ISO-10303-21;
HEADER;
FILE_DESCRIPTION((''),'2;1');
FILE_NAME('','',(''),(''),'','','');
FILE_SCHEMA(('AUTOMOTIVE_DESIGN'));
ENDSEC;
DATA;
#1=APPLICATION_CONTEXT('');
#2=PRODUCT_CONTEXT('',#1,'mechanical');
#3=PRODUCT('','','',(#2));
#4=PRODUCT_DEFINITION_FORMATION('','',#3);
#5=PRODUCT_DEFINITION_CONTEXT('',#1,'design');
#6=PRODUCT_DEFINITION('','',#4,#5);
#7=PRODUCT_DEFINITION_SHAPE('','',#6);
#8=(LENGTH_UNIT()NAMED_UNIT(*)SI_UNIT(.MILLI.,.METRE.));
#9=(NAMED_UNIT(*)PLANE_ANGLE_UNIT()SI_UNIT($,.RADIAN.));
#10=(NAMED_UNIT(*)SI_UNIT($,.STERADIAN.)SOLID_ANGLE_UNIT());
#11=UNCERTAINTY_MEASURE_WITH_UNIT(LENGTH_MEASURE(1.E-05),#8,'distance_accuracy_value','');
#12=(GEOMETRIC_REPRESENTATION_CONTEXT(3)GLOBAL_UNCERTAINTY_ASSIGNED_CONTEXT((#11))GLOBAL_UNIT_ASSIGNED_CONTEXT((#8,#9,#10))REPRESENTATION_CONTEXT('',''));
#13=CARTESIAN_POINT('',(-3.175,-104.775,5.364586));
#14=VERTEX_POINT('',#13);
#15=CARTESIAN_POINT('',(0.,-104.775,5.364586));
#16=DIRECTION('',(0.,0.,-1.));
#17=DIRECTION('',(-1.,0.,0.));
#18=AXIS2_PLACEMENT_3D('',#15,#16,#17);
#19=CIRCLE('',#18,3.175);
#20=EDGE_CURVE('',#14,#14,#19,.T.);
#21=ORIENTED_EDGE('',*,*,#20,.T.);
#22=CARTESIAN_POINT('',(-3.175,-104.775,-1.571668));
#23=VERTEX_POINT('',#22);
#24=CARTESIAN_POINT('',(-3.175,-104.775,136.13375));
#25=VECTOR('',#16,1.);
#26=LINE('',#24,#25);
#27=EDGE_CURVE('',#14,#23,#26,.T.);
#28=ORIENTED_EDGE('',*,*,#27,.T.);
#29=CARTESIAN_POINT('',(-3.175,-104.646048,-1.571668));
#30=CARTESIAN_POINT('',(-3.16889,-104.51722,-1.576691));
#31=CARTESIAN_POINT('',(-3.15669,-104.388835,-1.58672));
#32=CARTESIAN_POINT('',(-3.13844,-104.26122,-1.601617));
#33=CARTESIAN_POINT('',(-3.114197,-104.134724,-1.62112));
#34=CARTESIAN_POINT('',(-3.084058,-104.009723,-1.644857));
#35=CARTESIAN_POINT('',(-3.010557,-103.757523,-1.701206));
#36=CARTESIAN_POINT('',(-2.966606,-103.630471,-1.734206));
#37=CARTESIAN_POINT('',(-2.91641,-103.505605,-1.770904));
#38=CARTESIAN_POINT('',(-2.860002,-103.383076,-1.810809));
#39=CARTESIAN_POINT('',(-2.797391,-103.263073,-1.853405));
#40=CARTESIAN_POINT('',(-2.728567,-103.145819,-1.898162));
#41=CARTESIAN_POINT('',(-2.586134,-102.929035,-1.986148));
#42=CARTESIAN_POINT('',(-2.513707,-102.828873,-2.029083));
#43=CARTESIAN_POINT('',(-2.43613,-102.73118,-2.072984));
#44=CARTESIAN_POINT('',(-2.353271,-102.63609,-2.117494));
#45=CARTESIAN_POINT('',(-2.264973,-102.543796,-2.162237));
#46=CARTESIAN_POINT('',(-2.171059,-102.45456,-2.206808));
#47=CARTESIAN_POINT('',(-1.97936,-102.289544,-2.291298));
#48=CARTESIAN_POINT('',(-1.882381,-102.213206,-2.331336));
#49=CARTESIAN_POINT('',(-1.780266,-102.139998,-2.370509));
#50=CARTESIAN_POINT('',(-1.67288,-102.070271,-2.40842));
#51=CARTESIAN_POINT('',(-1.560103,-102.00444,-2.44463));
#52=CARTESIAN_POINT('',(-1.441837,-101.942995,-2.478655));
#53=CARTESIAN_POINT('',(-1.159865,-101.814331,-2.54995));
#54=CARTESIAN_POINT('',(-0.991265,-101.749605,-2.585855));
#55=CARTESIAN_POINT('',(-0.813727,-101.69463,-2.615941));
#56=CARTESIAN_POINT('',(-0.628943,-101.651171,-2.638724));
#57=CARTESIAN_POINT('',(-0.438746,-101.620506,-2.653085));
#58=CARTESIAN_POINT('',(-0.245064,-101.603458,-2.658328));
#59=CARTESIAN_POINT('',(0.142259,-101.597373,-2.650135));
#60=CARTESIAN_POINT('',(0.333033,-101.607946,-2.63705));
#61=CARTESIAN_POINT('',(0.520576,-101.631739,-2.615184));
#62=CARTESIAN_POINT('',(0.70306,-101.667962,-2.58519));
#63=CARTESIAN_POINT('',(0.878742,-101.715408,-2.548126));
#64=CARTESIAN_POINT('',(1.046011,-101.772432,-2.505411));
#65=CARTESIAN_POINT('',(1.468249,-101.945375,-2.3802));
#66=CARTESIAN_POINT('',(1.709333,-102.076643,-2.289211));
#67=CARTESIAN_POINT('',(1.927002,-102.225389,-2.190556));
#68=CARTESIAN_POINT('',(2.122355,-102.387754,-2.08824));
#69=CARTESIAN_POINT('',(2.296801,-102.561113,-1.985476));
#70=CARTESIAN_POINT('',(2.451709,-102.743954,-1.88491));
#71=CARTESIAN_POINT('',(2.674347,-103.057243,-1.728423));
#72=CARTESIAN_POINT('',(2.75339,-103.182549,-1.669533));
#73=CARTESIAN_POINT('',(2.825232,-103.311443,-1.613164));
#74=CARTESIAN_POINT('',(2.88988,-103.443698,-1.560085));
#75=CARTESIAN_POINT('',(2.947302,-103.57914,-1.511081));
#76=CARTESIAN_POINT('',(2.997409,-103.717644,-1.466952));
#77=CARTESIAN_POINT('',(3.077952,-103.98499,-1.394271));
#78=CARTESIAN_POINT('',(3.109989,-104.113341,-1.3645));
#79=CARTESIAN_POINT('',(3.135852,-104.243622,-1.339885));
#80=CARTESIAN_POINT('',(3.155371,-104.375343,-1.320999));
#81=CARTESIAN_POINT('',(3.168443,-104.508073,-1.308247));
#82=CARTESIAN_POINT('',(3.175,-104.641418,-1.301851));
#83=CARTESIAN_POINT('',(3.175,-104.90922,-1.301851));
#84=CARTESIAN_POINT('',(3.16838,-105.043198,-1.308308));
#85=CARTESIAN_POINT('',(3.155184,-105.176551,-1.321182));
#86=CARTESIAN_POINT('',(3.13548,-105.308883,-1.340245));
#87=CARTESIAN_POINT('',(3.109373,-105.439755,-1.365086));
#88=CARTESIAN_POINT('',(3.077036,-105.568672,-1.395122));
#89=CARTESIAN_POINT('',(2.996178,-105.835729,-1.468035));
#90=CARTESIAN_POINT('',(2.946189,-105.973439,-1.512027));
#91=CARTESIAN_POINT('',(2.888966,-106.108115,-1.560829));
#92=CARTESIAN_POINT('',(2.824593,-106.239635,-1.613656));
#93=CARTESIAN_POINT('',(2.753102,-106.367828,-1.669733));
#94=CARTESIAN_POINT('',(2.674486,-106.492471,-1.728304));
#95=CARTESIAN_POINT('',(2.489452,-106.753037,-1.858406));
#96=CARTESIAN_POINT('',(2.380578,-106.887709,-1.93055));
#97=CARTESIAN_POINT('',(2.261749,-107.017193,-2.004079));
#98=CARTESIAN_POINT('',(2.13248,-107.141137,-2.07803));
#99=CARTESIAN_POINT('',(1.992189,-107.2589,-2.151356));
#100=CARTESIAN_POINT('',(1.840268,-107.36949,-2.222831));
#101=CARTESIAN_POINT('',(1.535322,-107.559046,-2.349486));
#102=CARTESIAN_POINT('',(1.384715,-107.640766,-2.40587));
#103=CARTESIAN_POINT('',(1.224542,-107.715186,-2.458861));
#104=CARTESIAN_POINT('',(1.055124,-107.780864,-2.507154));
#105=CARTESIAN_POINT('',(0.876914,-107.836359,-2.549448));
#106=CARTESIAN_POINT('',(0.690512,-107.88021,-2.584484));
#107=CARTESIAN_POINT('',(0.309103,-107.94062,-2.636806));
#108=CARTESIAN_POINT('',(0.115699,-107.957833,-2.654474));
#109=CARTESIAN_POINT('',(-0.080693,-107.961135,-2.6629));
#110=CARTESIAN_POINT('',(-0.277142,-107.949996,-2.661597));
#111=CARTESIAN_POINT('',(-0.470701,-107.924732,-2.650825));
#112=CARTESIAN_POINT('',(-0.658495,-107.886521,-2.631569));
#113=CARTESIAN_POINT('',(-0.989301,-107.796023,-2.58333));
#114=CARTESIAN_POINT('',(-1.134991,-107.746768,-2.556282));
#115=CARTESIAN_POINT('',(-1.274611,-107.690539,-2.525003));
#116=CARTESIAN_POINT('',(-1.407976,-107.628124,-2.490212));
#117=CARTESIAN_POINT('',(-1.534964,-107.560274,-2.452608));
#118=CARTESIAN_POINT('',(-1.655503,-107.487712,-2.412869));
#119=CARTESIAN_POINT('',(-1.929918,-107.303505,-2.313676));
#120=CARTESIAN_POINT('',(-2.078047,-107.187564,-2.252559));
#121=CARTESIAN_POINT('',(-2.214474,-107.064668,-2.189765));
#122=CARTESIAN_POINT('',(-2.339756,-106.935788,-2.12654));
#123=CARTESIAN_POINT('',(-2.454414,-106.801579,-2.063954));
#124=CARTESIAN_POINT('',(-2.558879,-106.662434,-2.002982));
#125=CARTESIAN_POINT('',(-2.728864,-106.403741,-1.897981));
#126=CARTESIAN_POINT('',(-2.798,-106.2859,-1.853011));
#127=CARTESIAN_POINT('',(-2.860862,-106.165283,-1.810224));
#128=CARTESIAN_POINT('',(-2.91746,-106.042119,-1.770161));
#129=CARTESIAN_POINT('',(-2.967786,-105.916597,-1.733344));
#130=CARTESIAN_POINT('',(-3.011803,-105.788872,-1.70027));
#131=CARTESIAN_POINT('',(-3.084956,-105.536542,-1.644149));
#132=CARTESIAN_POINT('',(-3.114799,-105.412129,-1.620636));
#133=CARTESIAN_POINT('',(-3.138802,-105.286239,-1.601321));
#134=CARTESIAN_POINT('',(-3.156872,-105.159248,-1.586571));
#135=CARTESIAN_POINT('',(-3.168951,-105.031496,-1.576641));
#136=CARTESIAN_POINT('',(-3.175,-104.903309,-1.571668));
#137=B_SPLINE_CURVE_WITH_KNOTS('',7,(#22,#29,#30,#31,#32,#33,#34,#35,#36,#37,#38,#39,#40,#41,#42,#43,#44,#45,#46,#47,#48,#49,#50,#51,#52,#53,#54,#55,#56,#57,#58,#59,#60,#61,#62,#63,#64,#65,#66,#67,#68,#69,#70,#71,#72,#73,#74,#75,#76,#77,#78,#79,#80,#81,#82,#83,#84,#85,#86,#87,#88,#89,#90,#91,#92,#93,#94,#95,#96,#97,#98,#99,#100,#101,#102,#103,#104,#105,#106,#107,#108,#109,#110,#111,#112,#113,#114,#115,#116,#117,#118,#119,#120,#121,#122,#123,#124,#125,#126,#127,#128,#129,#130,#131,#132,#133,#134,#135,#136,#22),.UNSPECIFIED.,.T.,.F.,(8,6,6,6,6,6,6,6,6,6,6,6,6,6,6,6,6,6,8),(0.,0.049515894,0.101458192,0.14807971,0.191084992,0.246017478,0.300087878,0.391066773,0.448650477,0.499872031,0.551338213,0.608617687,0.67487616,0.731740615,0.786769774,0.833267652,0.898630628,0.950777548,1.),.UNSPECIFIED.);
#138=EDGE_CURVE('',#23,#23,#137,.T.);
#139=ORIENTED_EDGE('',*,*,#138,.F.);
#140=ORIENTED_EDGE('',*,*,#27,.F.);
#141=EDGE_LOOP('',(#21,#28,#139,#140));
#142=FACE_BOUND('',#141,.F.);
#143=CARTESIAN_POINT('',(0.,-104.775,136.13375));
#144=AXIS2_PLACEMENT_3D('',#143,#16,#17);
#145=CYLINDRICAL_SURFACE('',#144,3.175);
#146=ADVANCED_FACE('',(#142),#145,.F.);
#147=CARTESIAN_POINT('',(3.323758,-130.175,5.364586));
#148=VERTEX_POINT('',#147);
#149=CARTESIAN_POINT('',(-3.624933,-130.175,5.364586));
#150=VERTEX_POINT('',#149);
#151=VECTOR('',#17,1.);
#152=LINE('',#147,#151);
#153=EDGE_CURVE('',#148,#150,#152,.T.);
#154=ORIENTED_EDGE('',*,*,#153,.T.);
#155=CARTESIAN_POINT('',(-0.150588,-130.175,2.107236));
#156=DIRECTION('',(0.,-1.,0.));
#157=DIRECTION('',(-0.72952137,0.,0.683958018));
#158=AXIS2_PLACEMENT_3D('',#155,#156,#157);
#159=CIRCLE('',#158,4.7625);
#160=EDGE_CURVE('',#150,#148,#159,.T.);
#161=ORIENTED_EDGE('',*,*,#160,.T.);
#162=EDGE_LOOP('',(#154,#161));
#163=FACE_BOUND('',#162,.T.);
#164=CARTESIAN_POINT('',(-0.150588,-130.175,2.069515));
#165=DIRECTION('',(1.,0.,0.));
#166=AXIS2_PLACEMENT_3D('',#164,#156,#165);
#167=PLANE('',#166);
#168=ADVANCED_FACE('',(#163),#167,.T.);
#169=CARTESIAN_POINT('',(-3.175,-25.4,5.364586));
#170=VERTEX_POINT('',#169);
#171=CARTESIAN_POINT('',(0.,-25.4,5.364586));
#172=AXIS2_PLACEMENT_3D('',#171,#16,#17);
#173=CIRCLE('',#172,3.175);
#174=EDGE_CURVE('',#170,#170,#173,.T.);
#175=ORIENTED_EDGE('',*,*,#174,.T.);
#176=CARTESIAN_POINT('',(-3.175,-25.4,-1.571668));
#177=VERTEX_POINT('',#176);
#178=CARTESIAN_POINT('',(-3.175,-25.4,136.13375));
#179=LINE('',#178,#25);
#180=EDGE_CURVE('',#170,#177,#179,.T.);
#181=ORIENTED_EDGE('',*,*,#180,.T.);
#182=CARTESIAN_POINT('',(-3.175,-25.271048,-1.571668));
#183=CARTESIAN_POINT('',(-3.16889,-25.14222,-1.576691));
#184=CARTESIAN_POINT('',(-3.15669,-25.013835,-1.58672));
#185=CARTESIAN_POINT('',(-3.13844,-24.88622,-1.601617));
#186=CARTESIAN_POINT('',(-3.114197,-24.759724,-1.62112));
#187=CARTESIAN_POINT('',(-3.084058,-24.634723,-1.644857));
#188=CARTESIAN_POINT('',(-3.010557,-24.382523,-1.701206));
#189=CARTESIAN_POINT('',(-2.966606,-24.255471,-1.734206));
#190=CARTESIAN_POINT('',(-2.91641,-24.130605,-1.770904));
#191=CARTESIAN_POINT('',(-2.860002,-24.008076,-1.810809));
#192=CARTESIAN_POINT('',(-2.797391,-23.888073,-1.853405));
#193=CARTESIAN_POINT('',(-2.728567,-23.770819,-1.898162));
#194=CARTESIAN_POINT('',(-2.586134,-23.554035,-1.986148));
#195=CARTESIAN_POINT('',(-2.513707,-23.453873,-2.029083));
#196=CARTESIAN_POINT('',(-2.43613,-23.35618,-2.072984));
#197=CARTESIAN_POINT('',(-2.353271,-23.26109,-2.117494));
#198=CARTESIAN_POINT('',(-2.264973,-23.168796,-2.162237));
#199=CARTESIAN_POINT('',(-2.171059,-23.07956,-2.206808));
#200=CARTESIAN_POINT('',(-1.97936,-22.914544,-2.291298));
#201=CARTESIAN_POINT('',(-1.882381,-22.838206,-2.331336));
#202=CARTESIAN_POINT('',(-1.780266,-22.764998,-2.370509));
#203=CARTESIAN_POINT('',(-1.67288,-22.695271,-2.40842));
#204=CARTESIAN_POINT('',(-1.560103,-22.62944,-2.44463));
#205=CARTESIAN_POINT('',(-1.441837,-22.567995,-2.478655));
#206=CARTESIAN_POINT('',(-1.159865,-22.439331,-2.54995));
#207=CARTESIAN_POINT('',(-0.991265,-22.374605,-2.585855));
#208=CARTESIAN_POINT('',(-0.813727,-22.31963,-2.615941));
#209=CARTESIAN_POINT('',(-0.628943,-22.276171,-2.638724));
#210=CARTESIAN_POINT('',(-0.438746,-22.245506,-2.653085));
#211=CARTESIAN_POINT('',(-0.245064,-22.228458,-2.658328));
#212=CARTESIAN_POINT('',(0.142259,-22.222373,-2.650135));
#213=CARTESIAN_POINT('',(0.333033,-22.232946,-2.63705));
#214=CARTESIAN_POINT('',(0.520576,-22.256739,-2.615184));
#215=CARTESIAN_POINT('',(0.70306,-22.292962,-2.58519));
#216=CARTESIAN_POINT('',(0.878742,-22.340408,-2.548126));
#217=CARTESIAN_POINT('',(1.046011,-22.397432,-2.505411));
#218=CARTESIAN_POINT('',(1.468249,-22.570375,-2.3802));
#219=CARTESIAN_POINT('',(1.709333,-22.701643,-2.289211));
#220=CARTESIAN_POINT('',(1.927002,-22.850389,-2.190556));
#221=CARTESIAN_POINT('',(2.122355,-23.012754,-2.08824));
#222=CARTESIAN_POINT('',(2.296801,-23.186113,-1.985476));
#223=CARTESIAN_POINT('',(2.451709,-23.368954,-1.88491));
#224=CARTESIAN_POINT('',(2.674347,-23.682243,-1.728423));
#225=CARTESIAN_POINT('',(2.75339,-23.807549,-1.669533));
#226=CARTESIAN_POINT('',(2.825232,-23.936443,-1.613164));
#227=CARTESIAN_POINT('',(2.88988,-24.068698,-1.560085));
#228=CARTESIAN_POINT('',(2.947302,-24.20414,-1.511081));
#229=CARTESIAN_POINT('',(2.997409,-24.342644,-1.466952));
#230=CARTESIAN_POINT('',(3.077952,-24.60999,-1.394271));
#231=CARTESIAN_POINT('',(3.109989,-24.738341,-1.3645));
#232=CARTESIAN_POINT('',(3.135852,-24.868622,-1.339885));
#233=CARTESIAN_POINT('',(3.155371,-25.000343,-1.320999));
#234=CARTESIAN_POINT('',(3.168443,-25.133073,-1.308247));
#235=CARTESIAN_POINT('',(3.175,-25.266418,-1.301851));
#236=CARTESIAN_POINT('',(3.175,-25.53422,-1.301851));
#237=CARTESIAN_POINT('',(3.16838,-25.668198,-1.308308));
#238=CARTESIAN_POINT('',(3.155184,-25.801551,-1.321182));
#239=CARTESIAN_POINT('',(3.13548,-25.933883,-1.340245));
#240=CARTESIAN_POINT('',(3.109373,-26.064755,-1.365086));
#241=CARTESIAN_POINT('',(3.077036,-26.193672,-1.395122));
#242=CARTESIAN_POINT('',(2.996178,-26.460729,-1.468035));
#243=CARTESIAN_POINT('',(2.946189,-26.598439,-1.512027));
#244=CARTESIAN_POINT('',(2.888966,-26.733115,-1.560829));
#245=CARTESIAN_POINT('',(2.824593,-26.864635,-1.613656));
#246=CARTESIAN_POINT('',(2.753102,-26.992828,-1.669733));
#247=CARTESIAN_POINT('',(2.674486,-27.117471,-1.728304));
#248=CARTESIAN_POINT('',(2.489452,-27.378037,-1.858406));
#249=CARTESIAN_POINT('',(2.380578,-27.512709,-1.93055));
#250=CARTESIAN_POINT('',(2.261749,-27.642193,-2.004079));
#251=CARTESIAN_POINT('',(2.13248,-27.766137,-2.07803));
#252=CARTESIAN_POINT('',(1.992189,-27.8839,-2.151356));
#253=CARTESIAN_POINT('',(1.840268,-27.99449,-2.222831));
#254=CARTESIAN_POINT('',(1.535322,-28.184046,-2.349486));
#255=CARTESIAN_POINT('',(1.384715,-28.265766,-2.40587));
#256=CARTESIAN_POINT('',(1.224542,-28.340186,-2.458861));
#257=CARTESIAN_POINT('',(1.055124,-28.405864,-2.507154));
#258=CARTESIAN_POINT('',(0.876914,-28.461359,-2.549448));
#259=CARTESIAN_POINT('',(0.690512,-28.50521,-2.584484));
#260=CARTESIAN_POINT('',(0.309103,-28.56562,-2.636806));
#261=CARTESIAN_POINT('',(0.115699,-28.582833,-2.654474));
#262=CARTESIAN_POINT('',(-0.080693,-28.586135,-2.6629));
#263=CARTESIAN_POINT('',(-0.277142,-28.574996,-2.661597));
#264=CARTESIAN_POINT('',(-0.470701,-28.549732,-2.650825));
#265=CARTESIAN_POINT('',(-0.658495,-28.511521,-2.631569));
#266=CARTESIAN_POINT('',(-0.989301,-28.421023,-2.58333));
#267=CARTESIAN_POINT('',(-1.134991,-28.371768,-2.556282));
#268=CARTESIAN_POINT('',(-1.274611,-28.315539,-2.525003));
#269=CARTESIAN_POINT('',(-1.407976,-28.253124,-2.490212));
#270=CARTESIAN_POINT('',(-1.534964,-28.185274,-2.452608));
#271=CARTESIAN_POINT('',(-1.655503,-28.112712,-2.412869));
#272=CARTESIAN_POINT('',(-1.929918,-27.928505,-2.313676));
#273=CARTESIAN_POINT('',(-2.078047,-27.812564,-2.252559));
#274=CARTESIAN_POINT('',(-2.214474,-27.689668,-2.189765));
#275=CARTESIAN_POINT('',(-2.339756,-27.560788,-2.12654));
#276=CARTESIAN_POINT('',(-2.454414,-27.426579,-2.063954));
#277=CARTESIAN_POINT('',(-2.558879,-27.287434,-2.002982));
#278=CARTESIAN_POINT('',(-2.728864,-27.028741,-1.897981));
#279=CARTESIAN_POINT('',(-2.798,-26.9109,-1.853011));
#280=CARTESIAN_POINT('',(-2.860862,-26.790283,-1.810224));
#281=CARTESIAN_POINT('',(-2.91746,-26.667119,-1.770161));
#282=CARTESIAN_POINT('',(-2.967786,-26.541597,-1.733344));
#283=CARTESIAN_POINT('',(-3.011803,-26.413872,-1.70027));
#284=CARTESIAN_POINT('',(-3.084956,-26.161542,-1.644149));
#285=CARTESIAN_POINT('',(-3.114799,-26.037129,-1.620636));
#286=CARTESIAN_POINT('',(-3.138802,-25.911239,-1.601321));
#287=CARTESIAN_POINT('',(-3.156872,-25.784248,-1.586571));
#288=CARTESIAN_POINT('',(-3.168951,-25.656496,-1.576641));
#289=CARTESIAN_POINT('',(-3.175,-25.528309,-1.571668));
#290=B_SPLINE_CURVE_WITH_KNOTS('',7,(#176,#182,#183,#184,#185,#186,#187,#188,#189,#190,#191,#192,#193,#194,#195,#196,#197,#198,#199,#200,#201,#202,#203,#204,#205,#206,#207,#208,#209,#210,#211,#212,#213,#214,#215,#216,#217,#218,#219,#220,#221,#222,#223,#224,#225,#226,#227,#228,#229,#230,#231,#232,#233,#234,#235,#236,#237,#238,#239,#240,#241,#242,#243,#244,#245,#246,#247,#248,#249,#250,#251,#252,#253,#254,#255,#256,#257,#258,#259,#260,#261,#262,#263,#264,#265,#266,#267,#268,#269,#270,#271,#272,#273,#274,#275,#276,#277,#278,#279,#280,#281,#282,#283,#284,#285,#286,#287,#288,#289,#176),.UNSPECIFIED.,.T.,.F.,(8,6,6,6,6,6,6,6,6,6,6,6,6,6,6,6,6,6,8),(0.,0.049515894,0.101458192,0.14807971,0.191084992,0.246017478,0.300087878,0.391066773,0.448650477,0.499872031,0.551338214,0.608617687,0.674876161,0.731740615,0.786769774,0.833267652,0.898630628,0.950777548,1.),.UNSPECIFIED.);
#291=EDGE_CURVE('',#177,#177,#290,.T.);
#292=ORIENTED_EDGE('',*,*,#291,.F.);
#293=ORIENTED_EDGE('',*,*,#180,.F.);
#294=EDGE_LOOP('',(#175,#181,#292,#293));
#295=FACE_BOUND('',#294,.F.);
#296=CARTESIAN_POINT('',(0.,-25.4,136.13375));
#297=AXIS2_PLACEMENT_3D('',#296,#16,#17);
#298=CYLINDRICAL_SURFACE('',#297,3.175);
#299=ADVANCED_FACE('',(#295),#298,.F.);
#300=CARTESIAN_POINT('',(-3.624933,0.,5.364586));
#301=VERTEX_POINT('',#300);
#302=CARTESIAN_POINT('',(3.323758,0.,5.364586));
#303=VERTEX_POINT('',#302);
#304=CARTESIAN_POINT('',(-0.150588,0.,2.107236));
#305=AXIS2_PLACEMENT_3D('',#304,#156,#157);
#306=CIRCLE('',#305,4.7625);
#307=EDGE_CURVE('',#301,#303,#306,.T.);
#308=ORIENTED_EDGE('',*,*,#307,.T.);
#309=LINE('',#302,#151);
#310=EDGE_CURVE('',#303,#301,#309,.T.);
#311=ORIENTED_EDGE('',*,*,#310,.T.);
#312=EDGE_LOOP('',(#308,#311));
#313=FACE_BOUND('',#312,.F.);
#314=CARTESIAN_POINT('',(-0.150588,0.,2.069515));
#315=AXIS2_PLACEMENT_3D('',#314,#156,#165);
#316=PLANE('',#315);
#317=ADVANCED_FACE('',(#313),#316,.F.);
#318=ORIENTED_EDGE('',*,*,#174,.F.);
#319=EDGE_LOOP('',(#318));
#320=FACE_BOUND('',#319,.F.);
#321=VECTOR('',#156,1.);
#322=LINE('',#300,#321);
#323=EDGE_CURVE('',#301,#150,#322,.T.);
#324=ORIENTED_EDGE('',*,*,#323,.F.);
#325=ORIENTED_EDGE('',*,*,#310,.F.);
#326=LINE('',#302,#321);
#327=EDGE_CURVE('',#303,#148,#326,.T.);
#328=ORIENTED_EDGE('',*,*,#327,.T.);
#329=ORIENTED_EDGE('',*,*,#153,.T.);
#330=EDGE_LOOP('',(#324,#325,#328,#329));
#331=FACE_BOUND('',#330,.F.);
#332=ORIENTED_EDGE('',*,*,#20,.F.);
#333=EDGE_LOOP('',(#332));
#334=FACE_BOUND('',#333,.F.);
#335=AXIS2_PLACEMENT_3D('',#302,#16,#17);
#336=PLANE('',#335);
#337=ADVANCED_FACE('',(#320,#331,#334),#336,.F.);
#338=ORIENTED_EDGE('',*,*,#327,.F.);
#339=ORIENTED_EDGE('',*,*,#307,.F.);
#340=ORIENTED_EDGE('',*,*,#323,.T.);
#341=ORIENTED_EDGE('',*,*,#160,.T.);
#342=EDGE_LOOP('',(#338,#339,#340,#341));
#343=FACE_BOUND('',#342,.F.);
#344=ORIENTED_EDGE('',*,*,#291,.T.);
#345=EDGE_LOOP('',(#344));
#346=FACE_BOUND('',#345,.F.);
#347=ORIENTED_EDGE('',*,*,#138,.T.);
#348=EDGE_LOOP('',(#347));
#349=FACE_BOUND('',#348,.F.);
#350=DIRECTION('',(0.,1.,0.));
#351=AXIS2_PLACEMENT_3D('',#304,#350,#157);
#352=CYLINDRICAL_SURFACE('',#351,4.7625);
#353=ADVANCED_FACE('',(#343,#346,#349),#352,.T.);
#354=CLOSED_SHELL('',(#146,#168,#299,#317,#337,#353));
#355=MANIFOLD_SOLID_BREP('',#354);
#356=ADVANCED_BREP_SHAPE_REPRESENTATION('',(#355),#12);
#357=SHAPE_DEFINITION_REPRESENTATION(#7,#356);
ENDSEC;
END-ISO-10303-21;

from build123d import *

# Parameters (mm, degrees)
F1_DEPTH = 130.175
F3_D     = 6.35


with BuildPart() as f1:
    # F0 (on Front) → F1 (new body)
    with BuildSketch(Plane.XZ):
        with BuildLine():
            Line((3.323758, 5.364586), (-3.624933, 5.364586))
            ThreePointArc((-3.624933, 5.364586), (-0.150587, -2.655264), (3.323758, 5.364586))
        make_face()
    extrude(amount=F1_DEPTH)

    # F3 (through all)
    with Locations(Plane.XY.offset(5.364586)):
        with Locations((0, -25.4), (0, -104.775)):
            Hole(F3_D / 2)


solid = f1.part
